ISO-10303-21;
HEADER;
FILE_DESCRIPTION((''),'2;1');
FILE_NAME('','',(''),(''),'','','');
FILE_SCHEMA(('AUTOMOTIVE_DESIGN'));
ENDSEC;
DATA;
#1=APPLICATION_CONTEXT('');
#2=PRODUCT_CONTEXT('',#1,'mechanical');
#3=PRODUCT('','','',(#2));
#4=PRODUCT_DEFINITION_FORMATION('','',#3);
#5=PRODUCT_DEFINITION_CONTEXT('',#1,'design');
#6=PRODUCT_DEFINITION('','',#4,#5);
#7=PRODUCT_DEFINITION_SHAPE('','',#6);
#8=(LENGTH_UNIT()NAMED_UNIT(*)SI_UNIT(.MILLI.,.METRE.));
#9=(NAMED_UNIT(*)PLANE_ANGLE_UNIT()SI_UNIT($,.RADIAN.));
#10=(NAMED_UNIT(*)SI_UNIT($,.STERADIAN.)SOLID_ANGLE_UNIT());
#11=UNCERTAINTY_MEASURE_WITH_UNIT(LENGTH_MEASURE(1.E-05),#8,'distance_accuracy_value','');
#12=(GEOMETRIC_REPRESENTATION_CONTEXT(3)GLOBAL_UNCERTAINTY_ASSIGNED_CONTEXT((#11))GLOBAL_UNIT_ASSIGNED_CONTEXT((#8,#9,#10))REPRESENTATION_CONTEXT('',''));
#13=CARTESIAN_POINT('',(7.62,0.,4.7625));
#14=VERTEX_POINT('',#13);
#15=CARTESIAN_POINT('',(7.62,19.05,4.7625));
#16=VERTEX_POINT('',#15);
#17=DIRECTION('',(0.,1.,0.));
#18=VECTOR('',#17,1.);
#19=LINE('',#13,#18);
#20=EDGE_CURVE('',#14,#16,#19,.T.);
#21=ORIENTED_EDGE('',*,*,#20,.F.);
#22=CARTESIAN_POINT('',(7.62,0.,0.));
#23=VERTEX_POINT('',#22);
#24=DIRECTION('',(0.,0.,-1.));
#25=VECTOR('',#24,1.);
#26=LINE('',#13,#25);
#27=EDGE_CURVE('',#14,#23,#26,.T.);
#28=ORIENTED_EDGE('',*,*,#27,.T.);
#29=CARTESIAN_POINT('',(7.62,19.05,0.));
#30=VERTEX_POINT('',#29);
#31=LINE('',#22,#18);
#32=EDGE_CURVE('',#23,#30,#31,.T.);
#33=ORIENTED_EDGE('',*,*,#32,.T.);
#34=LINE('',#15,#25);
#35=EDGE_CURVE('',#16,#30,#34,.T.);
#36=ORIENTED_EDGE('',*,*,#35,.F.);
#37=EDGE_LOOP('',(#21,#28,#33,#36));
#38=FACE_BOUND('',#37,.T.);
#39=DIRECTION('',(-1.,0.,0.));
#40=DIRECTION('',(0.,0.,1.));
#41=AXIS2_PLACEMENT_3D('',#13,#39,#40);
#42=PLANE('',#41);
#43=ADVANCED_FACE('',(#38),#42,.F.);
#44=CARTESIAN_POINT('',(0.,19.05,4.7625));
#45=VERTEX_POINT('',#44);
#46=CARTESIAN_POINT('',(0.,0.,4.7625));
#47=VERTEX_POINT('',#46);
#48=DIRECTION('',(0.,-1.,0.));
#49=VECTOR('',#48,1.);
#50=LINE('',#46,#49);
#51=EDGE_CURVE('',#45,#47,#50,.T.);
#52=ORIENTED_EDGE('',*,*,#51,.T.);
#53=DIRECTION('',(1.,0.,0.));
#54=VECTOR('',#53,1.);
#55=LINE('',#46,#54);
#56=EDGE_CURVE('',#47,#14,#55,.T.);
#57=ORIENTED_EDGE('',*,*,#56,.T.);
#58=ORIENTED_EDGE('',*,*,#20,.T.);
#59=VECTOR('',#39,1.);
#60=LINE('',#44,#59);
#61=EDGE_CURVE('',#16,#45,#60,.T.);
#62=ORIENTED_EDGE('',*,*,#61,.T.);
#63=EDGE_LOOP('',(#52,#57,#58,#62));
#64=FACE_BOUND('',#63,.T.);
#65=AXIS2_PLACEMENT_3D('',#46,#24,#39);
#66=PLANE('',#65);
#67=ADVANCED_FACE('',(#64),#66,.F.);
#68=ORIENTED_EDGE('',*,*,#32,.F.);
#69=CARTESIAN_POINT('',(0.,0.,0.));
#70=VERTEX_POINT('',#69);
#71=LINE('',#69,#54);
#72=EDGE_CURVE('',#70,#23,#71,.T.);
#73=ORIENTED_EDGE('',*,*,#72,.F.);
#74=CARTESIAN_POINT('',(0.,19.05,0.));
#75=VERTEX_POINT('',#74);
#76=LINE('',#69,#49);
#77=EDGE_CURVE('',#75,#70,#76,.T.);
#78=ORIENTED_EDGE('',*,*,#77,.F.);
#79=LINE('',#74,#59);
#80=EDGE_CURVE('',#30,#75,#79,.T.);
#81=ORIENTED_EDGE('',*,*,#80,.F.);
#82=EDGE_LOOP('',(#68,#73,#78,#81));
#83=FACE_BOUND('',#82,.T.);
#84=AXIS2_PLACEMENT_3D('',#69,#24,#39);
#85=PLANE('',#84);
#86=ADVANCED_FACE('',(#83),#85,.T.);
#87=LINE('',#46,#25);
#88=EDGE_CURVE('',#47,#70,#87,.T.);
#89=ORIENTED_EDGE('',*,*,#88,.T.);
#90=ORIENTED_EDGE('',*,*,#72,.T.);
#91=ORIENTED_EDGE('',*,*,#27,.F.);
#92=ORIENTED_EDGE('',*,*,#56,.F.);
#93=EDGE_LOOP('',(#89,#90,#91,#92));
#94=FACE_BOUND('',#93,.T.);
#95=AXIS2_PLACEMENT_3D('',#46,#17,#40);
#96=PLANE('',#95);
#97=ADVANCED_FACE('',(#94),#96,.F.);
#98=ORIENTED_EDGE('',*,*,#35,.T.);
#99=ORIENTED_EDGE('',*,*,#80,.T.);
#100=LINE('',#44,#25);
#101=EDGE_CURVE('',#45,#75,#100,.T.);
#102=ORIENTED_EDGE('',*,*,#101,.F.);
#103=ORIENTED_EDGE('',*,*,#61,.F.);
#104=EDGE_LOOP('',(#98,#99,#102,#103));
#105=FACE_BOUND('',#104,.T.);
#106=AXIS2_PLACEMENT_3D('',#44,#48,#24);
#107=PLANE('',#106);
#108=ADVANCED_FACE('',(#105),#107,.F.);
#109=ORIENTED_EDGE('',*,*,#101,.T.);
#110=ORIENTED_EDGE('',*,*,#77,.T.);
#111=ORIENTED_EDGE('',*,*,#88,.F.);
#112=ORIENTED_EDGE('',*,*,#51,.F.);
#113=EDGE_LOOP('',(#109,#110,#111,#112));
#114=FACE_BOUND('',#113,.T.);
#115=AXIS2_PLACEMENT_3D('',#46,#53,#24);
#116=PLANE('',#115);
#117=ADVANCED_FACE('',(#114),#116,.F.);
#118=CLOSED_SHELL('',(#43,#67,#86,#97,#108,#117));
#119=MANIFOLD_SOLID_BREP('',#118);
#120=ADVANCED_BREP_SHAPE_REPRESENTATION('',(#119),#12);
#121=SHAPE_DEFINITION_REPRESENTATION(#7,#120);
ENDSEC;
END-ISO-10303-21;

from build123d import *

# Parameters (mm, degrees)
SKETCH1_W           = 7.62
SKETCH1_H           = 19.05
BOSS_EXTRUDE1_DEPTH = 4.7625


with BuildPart() as part:
    # Sketch1 → Boss-Extrude1 (new body)
    with BuildSketch(Plane.XY):
        with Locations((3.81, 9.525)):
            Rectangle(SKETCH1_W, SKETCH1_H)
    extrude(amount=BOSS_EXTRUDE1_DEPTH)


solid = part.part
